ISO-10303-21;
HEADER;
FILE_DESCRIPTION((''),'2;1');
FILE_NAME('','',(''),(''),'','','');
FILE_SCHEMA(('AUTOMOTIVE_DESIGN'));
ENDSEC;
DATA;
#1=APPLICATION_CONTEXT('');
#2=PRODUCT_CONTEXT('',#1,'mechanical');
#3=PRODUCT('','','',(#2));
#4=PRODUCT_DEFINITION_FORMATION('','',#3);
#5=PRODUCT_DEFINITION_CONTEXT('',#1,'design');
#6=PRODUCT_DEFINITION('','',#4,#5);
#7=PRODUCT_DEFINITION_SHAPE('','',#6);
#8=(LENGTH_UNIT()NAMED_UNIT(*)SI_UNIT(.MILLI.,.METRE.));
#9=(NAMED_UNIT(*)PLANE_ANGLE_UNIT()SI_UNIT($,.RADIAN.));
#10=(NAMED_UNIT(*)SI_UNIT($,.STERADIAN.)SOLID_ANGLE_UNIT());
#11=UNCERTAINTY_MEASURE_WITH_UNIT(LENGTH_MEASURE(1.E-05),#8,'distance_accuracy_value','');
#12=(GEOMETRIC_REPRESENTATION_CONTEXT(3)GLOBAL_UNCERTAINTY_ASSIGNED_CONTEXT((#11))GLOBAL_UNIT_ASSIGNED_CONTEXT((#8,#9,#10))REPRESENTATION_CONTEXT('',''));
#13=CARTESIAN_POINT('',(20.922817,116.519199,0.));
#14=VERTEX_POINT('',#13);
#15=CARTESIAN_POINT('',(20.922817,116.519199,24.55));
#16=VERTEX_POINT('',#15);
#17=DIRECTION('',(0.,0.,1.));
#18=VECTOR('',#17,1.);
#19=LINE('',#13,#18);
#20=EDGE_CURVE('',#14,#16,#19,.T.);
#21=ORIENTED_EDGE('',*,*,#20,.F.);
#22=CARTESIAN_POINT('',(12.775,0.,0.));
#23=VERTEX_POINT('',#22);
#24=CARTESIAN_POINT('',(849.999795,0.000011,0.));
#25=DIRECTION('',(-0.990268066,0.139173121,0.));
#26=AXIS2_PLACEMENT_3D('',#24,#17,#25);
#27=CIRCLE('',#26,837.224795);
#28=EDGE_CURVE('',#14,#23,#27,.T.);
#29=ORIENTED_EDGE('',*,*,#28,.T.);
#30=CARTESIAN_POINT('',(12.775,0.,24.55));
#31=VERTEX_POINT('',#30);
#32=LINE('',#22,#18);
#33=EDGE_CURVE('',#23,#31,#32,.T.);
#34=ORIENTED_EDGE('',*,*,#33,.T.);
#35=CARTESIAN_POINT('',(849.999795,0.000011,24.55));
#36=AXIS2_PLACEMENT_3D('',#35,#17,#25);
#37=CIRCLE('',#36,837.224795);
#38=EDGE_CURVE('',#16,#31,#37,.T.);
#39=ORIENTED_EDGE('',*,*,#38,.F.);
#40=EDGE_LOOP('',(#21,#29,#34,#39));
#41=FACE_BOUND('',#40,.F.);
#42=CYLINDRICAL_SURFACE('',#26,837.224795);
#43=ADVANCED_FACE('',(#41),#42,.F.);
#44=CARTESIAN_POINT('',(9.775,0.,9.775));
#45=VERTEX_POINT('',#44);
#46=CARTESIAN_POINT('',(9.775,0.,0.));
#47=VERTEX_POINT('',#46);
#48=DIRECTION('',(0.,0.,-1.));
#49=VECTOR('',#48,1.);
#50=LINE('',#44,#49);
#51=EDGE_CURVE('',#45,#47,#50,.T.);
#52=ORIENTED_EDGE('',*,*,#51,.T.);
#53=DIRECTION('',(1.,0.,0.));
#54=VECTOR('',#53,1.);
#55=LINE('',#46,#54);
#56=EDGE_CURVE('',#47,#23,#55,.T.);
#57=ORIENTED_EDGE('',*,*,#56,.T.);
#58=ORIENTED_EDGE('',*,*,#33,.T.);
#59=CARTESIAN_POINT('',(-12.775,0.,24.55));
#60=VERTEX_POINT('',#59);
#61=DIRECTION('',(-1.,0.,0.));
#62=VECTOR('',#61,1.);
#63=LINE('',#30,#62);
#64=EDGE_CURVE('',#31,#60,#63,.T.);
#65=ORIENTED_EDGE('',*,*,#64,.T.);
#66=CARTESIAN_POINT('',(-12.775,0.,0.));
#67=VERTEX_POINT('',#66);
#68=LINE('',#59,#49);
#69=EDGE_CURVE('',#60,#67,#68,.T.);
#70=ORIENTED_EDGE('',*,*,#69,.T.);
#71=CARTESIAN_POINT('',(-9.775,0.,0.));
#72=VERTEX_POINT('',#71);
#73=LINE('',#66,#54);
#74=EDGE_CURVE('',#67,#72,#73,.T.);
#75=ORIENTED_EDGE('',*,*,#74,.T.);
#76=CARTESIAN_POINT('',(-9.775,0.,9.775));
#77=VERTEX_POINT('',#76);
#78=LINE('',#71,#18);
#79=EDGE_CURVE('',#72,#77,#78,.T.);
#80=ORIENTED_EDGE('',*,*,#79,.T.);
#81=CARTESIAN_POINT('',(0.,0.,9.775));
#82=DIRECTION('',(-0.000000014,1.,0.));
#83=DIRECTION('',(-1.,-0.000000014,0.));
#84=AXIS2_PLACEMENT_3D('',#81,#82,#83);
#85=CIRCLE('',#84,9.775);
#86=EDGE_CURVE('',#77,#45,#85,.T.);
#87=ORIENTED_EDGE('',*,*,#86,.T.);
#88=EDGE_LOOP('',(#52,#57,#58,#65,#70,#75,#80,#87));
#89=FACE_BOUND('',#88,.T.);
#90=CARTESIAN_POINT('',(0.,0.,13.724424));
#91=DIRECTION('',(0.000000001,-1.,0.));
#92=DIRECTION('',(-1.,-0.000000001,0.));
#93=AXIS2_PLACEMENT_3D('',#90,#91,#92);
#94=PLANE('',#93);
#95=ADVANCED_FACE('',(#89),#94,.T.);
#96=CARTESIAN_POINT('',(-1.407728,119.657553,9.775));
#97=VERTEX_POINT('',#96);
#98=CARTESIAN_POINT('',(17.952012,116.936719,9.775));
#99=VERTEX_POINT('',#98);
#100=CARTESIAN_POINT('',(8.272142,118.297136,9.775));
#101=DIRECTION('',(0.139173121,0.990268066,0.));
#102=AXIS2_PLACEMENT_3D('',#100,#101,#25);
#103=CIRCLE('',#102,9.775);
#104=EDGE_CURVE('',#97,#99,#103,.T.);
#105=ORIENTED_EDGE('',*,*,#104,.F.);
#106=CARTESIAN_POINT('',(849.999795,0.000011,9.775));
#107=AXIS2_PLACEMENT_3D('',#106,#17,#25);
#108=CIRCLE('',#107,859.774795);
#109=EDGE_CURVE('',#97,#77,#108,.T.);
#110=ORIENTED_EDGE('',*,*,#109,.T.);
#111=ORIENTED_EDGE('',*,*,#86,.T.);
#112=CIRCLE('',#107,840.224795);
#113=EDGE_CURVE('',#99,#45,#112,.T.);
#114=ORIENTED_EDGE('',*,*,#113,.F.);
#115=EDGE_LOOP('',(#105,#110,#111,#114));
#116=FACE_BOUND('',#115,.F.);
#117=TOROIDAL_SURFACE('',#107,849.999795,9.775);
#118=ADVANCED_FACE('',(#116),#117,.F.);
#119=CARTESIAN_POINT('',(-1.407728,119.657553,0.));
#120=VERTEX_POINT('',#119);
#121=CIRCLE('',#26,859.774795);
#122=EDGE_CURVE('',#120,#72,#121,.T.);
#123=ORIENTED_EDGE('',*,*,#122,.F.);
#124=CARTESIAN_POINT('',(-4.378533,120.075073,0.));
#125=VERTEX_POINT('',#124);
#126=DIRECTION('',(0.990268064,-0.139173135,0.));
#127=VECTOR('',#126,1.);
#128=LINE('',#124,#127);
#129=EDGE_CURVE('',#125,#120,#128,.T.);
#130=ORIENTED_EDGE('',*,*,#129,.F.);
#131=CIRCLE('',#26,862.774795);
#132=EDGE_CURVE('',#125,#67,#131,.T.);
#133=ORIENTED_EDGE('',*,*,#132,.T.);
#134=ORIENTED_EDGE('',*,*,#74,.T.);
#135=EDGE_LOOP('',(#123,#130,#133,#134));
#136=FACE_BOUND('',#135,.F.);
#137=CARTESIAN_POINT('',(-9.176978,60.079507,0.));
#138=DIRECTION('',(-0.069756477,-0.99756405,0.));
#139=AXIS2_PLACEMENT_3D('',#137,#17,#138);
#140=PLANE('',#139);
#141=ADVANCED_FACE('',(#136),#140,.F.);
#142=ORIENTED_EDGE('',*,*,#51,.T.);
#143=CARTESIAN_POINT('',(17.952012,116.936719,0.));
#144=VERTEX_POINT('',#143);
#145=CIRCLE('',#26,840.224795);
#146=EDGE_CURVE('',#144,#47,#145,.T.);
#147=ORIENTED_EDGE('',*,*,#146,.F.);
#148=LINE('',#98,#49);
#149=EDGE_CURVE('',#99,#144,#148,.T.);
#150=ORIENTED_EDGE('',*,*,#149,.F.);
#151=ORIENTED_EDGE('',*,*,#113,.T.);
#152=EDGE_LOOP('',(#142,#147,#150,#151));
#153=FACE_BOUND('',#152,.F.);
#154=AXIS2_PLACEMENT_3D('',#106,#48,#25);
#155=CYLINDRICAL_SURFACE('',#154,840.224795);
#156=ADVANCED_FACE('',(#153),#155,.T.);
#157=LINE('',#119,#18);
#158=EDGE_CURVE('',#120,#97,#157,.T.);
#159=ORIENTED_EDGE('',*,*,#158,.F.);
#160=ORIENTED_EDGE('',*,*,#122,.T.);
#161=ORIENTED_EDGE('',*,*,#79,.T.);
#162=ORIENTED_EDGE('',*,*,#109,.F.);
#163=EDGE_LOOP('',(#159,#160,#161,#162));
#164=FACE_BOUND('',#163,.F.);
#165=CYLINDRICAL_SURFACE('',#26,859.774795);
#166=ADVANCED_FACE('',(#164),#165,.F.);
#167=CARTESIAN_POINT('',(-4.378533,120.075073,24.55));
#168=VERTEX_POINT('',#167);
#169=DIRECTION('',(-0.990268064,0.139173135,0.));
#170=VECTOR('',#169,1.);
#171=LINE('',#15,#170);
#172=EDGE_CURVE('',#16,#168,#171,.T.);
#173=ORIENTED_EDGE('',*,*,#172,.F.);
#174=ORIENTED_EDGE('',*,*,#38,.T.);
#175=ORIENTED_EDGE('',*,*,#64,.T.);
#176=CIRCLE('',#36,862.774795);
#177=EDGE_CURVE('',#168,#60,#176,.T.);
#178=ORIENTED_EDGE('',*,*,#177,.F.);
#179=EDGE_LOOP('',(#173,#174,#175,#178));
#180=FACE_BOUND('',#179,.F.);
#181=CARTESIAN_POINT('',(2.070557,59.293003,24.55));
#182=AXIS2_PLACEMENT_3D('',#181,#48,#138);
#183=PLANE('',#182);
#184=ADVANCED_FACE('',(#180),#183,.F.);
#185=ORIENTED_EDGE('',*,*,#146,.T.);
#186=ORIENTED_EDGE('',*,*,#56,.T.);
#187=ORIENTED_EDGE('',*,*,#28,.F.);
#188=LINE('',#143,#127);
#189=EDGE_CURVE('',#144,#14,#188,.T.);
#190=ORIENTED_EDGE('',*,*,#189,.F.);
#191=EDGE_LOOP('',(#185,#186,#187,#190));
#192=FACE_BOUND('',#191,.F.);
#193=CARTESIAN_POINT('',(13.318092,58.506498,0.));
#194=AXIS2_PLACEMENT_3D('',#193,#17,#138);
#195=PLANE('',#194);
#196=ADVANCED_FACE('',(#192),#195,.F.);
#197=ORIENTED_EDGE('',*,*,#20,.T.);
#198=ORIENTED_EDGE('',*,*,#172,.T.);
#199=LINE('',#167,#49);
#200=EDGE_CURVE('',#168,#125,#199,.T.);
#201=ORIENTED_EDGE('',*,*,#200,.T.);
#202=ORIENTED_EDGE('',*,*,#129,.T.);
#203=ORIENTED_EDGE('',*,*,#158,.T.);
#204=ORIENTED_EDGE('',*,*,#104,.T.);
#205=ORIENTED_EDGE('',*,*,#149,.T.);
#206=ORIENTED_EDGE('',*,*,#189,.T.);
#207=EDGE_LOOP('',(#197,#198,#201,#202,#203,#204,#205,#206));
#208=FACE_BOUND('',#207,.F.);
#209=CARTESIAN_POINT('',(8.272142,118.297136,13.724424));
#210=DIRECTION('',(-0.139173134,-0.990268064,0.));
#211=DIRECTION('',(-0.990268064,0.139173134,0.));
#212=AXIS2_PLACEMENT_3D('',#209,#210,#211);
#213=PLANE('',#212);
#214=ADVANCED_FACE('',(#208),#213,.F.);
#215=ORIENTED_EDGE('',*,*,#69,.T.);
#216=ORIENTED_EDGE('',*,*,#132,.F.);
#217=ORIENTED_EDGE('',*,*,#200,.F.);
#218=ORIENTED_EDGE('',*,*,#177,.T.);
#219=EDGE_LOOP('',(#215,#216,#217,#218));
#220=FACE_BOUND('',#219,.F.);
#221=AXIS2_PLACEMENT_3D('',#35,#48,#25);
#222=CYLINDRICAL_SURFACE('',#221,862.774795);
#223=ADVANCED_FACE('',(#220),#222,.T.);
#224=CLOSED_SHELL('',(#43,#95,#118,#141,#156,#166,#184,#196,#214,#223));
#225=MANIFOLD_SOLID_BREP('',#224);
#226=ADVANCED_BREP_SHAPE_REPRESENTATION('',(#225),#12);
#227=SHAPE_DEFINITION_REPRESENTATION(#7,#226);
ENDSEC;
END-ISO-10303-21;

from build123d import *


with BuildPart() as f2:
    # F2: sweep along a path in F1
    with BuildLine(Plane.XY) as f2_path:
        ThreePointArc((8.272142, 118.297136), (2.070557, 59.293003), (0, 0))
    # F0 (on Front) → F2 (sweep)
    with BuildSketch(Plane.XZ):
        with BuildLine():
            ThreePointArc((-9.775, 9.775), (0, 19.55), (9.775, 9.775))
            Line((9.775, 9.775), (9.775, 0))
            Line((9.775, 0), (12.775, 0))
            Line((12.775, 0), (12.775, 24.55))
            Line((12.775, 24.55), (-12.775, 24.55))
            Line((-12.775, 24.55), (-12.775, 0))
            Line((-12.775, 0), (-9.775, 0))
            Line((-9.775, 0), (-9.775, 9.775))
        make_face()
    sweep(path=f2_path.line)


solid = f2.part
